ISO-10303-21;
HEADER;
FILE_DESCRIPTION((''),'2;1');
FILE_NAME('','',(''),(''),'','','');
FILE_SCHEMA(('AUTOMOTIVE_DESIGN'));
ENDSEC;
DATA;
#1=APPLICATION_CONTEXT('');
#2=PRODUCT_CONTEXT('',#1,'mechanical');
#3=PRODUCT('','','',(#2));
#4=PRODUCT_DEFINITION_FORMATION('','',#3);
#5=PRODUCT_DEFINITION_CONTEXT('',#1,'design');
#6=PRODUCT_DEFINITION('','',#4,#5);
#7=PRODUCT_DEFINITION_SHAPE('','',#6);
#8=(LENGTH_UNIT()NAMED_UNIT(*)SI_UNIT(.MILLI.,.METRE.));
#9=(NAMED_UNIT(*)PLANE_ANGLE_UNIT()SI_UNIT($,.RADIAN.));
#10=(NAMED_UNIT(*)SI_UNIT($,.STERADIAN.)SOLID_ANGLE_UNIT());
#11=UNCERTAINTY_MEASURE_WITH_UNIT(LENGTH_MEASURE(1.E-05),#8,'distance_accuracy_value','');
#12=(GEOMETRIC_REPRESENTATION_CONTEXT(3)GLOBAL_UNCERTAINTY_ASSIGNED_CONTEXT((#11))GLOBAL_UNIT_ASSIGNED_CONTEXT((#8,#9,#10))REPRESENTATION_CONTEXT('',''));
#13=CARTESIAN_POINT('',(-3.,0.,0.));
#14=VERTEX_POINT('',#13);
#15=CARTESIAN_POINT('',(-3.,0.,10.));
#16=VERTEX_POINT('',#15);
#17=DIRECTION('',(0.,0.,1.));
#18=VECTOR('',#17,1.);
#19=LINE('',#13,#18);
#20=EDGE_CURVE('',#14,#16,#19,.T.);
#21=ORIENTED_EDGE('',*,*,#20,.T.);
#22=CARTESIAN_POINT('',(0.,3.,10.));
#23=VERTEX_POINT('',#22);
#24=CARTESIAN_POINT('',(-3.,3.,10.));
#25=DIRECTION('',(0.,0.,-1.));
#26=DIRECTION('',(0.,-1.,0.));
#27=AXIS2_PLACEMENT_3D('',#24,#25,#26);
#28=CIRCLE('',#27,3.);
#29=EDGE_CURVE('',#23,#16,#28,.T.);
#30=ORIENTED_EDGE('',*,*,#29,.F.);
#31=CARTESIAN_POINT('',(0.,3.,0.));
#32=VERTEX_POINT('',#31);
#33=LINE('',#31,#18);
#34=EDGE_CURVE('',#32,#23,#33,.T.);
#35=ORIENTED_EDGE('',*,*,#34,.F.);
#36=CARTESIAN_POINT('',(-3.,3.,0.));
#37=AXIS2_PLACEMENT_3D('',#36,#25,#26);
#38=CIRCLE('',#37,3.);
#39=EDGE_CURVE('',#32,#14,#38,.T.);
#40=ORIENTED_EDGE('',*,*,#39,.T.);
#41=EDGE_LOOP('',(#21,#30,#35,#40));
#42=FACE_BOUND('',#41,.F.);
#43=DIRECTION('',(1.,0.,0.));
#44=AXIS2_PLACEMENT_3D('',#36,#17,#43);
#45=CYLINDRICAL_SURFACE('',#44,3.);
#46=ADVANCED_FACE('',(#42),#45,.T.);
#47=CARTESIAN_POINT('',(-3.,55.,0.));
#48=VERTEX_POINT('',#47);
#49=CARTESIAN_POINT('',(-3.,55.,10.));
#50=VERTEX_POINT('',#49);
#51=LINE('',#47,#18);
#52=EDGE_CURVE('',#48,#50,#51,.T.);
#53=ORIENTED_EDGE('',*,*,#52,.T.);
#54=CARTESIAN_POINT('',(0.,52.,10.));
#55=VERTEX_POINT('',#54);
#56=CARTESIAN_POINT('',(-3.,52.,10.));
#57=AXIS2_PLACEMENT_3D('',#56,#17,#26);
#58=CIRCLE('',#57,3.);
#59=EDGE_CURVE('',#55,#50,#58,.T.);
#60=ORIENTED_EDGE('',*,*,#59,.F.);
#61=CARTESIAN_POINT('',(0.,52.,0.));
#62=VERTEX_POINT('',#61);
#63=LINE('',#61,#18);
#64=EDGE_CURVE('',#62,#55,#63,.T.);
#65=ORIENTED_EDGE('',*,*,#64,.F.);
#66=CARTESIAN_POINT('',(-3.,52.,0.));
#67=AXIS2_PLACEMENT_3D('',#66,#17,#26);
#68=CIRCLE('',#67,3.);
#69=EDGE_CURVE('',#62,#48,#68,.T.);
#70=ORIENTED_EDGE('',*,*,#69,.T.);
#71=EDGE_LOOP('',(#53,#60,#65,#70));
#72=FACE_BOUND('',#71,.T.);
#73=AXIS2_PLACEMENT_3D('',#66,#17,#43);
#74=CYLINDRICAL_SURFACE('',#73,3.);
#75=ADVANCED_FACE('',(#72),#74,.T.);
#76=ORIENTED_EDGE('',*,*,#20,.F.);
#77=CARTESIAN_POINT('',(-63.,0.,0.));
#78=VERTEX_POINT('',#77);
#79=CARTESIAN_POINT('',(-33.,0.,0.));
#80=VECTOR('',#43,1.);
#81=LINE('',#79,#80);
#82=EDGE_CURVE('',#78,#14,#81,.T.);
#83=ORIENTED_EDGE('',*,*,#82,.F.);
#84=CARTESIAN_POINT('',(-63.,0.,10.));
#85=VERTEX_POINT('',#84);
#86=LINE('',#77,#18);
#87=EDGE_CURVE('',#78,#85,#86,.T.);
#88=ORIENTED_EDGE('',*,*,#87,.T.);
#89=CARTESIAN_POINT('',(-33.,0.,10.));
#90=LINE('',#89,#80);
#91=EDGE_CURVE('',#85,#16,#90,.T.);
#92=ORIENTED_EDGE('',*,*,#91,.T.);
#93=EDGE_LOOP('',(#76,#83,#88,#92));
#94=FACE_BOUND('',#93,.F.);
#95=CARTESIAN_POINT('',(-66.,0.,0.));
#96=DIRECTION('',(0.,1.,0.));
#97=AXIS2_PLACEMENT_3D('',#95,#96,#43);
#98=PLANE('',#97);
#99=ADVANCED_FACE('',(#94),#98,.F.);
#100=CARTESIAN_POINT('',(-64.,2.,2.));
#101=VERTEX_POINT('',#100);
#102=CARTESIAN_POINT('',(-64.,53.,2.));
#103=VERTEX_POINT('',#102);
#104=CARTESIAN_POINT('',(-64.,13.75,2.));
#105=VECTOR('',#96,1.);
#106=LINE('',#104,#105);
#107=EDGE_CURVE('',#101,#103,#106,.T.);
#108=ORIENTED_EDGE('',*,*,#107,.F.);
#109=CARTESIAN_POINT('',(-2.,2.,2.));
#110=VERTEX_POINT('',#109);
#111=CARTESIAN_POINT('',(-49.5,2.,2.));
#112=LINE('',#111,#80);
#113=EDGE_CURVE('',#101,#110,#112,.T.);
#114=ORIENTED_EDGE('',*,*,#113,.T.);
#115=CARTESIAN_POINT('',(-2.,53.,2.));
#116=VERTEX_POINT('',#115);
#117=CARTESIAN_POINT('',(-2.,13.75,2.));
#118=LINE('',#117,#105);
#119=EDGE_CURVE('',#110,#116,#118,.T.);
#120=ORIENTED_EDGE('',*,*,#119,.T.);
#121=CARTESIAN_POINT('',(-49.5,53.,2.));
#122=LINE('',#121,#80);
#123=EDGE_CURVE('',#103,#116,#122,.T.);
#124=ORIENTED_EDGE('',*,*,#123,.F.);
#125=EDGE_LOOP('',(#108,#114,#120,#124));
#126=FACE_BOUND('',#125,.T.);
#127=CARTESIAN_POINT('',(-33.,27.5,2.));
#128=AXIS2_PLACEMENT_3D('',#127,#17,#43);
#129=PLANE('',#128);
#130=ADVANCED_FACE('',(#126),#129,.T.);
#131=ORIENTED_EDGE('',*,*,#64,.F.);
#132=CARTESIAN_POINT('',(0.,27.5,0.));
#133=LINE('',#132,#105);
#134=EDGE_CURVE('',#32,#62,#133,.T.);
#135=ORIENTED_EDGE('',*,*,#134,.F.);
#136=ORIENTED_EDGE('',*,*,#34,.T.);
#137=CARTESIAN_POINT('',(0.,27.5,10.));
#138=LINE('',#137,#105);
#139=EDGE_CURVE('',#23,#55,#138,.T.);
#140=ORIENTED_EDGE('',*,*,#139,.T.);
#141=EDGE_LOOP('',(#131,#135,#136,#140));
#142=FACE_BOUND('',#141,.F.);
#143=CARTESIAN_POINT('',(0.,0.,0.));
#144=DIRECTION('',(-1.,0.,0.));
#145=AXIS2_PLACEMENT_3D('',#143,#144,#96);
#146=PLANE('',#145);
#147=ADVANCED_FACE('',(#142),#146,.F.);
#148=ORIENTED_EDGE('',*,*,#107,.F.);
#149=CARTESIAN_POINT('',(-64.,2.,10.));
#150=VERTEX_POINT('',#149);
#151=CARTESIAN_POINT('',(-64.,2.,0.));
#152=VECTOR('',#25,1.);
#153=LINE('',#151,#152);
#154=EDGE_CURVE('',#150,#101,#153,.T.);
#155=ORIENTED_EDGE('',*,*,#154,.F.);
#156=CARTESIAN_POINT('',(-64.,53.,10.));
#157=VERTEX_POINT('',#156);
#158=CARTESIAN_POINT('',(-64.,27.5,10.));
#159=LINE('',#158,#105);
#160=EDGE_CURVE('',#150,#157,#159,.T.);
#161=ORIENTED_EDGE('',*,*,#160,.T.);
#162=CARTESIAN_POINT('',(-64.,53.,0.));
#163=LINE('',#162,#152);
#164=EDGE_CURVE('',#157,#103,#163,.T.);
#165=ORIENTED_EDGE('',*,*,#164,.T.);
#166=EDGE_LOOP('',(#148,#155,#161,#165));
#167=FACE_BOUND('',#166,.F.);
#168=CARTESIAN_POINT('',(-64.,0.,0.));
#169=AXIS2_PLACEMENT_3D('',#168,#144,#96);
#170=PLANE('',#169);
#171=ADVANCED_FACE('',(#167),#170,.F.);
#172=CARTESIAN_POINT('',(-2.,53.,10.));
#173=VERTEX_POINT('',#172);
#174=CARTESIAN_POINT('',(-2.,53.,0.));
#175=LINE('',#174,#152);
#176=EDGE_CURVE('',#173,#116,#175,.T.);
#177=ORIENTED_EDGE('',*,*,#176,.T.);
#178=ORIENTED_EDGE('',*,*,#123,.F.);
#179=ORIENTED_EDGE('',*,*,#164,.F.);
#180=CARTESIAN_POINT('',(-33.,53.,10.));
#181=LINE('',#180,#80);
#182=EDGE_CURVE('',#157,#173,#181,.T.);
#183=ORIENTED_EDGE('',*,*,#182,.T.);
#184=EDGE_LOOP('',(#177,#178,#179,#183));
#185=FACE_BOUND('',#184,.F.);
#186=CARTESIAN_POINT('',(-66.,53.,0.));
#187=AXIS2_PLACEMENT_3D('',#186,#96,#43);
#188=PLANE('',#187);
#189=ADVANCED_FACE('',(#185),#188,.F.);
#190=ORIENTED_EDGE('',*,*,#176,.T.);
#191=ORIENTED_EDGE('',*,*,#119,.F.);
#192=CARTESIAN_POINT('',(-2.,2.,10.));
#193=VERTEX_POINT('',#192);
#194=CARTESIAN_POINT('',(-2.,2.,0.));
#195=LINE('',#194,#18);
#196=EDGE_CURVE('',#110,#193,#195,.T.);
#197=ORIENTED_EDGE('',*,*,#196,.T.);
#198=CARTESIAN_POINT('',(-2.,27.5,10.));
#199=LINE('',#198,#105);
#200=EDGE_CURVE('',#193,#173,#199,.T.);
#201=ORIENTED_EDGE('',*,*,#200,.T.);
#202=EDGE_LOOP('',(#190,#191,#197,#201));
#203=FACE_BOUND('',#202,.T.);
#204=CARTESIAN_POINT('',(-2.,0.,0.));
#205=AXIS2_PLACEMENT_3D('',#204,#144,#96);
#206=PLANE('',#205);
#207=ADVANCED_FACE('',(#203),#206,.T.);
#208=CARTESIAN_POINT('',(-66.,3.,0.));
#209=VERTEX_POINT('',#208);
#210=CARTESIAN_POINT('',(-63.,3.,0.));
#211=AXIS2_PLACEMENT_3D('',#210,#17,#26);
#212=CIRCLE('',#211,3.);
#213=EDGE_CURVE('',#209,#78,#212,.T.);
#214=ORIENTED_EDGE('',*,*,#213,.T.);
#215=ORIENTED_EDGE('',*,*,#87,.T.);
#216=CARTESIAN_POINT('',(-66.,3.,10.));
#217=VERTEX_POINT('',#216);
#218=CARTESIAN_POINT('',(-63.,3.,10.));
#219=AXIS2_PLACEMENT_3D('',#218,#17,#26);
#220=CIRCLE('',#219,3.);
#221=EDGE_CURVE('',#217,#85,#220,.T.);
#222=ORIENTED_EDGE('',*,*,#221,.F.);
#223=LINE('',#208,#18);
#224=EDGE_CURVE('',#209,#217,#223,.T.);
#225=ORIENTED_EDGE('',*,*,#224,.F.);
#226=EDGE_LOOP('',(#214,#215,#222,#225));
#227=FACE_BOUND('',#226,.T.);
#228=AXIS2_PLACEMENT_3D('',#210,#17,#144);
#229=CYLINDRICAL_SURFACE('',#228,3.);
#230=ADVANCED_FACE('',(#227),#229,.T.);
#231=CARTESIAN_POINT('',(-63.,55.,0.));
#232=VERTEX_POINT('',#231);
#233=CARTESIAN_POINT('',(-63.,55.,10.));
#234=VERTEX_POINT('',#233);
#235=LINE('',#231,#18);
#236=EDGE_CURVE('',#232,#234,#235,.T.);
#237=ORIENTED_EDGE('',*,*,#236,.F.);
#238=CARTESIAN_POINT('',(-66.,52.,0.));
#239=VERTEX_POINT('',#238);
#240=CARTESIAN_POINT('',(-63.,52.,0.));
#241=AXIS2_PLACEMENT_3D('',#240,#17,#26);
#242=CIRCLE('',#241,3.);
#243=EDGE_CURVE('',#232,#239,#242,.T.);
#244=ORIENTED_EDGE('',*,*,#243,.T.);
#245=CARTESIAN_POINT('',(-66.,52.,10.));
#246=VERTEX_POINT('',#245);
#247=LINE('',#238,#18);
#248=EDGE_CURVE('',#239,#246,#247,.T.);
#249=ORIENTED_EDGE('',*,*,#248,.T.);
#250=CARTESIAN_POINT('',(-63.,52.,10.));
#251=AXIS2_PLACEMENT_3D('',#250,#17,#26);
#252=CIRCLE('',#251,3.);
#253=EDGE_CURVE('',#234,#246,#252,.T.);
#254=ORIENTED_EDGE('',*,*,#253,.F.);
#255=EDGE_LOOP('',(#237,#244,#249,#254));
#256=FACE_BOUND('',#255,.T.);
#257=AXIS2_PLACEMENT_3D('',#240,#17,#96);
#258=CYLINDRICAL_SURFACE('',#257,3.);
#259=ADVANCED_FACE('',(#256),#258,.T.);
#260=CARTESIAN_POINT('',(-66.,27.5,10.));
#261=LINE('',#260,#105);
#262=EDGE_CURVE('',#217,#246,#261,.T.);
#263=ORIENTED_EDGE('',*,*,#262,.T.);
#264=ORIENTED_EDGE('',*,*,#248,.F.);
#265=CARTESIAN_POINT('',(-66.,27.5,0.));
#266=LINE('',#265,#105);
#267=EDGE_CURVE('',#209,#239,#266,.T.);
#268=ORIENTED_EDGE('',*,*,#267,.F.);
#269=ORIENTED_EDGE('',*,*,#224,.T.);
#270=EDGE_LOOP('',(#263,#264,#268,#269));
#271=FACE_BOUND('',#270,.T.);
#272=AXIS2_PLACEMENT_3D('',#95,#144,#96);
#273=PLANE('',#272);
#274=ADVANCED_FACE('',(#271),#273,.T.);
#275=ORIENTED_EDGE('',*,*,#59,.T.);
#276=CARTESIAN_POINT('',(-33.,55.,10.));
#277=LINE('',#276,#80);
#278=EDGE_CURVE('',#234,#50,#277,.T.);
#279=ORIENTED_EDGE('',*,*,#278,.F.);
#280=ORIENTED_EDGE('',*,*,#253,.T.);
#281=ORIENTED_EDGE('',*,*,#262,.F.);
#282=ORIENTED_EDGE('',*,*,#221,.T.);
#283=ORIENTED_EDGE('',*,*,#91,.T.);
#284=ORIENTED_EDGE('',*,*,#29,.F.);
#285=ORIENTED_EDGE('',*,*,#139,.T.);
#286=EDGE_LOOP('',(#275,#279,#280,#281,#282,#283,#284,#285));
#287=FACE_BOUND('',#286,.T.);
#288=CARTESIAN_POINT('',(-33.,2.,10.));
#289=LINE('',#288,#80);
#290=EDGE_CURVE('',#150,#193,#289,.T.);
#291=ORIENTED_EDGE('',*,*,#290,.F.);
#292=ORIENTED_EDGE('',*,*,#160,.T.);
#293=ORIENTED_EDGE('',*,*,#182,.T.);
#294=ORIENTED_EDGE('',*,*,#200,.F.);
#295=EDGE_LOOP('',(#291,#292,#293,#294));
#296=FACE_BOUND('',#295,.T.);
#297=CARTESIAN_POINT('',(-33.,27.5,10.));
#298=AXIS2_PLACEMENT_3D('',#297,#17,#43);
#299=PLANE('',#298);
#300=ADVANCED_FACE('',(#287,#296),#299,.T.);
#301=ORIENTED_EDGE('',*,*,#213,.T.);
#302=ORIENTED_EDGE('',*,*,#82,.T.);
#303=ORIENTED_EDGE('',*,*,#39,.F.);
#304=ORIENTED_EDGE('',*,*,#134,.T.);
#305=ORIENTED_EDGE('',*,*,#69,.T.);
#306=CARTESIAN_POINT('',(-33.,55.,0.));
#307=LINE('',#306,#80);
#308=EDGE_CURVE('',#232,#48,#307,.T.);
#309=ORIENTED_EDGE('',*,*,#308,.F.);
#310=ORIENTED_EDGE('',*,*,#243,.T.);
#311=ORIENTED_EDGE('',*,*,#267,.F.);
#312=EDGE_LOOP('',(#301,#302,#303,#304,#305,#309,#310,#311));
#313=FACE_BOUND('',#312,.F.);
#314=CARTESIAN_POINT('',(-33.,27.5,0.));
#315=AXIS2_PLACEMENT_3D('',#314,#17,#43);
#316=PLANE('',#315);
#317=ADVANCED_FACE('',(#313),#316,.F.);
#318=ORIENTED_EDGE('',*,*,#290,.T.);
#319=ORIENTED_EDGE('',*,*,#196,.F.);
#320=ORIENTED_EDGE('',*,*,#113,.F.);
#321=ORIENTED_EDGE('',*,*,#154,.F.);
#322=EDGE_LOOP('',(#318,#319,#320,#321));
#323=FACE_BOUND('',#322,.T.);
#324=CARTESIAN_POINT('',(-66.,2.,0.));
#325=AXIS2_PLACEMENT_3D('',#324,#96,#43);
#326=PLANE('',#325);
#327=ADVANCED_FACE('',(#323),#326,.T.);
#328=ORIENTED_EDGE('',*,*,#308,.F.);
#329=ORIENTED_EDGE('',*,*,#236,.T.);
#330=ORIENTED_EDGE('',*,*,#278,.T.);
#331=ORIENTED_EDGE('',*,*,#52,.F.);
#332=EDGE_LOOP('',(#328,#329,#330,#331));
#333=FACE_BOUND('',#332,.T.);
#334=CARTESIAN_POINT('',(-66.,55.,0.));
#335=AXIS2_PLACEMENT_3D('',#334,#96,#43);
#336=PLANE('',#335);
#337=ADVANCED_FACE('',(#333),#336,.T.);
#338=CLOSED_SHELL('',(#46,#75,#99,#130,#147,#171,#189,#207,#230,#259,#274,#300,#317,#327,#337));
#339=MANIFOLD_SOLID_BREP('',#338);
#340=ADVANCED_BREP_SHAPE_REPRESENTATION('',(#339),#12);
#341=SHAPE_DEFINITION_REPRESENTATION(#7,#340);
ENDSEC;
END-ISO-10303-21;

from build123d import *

# Parameters (mm, degrees)
F0_W     = 66
F0_H     = 55
F1_DEPTH = 10
F2_T     = -2
F3_R     = 3
F4_R     = 3
F5_R     = 3
F6_R     = 3


with BuildPart() as f1:
    # F0 (on Top) → F1 (new body)
    with BuildSketch(Plane.XY):
        with Locations((-33, 27.5)):
            Rectangle(F0_W, F0_H)
    extrude(amount=F1_DEPTH)

    # F2
    f2_openings = [f1.faces().sort_by_distance(p)[0] for p in [
        (-33, 27.5, 10),
    ]]
    offset(amount=F2_T, openings=f2_openings)

    # F3
    f3_edges = [f1.edges().sort_by_distance(p)[0] for p in [
        (0, 55, 5),
    ]]
    fillet(f3_edges, radius=F3_R)

    # F4
    f4_edges = [f1.edges().sort_by_distance(p)[0] for p in [
        (0, 0, 5),
    ]]
    fillet(f4_edges, radius=F4_R)

    # F5
    f5_edges = [f1.edges().sort_by_distance(p)[0] for p in [
        (-66, 55, 5),
    ]]
    fillet(f5_edges, radius=F5_R)

    # F6
    f6_edges = [f1.edges().sort_by_distance(p)[0] for p in [
        (-66, 0, 5),
    ]]
    fillet(f6_edges, radius=F6_R)


solid = f1.part
